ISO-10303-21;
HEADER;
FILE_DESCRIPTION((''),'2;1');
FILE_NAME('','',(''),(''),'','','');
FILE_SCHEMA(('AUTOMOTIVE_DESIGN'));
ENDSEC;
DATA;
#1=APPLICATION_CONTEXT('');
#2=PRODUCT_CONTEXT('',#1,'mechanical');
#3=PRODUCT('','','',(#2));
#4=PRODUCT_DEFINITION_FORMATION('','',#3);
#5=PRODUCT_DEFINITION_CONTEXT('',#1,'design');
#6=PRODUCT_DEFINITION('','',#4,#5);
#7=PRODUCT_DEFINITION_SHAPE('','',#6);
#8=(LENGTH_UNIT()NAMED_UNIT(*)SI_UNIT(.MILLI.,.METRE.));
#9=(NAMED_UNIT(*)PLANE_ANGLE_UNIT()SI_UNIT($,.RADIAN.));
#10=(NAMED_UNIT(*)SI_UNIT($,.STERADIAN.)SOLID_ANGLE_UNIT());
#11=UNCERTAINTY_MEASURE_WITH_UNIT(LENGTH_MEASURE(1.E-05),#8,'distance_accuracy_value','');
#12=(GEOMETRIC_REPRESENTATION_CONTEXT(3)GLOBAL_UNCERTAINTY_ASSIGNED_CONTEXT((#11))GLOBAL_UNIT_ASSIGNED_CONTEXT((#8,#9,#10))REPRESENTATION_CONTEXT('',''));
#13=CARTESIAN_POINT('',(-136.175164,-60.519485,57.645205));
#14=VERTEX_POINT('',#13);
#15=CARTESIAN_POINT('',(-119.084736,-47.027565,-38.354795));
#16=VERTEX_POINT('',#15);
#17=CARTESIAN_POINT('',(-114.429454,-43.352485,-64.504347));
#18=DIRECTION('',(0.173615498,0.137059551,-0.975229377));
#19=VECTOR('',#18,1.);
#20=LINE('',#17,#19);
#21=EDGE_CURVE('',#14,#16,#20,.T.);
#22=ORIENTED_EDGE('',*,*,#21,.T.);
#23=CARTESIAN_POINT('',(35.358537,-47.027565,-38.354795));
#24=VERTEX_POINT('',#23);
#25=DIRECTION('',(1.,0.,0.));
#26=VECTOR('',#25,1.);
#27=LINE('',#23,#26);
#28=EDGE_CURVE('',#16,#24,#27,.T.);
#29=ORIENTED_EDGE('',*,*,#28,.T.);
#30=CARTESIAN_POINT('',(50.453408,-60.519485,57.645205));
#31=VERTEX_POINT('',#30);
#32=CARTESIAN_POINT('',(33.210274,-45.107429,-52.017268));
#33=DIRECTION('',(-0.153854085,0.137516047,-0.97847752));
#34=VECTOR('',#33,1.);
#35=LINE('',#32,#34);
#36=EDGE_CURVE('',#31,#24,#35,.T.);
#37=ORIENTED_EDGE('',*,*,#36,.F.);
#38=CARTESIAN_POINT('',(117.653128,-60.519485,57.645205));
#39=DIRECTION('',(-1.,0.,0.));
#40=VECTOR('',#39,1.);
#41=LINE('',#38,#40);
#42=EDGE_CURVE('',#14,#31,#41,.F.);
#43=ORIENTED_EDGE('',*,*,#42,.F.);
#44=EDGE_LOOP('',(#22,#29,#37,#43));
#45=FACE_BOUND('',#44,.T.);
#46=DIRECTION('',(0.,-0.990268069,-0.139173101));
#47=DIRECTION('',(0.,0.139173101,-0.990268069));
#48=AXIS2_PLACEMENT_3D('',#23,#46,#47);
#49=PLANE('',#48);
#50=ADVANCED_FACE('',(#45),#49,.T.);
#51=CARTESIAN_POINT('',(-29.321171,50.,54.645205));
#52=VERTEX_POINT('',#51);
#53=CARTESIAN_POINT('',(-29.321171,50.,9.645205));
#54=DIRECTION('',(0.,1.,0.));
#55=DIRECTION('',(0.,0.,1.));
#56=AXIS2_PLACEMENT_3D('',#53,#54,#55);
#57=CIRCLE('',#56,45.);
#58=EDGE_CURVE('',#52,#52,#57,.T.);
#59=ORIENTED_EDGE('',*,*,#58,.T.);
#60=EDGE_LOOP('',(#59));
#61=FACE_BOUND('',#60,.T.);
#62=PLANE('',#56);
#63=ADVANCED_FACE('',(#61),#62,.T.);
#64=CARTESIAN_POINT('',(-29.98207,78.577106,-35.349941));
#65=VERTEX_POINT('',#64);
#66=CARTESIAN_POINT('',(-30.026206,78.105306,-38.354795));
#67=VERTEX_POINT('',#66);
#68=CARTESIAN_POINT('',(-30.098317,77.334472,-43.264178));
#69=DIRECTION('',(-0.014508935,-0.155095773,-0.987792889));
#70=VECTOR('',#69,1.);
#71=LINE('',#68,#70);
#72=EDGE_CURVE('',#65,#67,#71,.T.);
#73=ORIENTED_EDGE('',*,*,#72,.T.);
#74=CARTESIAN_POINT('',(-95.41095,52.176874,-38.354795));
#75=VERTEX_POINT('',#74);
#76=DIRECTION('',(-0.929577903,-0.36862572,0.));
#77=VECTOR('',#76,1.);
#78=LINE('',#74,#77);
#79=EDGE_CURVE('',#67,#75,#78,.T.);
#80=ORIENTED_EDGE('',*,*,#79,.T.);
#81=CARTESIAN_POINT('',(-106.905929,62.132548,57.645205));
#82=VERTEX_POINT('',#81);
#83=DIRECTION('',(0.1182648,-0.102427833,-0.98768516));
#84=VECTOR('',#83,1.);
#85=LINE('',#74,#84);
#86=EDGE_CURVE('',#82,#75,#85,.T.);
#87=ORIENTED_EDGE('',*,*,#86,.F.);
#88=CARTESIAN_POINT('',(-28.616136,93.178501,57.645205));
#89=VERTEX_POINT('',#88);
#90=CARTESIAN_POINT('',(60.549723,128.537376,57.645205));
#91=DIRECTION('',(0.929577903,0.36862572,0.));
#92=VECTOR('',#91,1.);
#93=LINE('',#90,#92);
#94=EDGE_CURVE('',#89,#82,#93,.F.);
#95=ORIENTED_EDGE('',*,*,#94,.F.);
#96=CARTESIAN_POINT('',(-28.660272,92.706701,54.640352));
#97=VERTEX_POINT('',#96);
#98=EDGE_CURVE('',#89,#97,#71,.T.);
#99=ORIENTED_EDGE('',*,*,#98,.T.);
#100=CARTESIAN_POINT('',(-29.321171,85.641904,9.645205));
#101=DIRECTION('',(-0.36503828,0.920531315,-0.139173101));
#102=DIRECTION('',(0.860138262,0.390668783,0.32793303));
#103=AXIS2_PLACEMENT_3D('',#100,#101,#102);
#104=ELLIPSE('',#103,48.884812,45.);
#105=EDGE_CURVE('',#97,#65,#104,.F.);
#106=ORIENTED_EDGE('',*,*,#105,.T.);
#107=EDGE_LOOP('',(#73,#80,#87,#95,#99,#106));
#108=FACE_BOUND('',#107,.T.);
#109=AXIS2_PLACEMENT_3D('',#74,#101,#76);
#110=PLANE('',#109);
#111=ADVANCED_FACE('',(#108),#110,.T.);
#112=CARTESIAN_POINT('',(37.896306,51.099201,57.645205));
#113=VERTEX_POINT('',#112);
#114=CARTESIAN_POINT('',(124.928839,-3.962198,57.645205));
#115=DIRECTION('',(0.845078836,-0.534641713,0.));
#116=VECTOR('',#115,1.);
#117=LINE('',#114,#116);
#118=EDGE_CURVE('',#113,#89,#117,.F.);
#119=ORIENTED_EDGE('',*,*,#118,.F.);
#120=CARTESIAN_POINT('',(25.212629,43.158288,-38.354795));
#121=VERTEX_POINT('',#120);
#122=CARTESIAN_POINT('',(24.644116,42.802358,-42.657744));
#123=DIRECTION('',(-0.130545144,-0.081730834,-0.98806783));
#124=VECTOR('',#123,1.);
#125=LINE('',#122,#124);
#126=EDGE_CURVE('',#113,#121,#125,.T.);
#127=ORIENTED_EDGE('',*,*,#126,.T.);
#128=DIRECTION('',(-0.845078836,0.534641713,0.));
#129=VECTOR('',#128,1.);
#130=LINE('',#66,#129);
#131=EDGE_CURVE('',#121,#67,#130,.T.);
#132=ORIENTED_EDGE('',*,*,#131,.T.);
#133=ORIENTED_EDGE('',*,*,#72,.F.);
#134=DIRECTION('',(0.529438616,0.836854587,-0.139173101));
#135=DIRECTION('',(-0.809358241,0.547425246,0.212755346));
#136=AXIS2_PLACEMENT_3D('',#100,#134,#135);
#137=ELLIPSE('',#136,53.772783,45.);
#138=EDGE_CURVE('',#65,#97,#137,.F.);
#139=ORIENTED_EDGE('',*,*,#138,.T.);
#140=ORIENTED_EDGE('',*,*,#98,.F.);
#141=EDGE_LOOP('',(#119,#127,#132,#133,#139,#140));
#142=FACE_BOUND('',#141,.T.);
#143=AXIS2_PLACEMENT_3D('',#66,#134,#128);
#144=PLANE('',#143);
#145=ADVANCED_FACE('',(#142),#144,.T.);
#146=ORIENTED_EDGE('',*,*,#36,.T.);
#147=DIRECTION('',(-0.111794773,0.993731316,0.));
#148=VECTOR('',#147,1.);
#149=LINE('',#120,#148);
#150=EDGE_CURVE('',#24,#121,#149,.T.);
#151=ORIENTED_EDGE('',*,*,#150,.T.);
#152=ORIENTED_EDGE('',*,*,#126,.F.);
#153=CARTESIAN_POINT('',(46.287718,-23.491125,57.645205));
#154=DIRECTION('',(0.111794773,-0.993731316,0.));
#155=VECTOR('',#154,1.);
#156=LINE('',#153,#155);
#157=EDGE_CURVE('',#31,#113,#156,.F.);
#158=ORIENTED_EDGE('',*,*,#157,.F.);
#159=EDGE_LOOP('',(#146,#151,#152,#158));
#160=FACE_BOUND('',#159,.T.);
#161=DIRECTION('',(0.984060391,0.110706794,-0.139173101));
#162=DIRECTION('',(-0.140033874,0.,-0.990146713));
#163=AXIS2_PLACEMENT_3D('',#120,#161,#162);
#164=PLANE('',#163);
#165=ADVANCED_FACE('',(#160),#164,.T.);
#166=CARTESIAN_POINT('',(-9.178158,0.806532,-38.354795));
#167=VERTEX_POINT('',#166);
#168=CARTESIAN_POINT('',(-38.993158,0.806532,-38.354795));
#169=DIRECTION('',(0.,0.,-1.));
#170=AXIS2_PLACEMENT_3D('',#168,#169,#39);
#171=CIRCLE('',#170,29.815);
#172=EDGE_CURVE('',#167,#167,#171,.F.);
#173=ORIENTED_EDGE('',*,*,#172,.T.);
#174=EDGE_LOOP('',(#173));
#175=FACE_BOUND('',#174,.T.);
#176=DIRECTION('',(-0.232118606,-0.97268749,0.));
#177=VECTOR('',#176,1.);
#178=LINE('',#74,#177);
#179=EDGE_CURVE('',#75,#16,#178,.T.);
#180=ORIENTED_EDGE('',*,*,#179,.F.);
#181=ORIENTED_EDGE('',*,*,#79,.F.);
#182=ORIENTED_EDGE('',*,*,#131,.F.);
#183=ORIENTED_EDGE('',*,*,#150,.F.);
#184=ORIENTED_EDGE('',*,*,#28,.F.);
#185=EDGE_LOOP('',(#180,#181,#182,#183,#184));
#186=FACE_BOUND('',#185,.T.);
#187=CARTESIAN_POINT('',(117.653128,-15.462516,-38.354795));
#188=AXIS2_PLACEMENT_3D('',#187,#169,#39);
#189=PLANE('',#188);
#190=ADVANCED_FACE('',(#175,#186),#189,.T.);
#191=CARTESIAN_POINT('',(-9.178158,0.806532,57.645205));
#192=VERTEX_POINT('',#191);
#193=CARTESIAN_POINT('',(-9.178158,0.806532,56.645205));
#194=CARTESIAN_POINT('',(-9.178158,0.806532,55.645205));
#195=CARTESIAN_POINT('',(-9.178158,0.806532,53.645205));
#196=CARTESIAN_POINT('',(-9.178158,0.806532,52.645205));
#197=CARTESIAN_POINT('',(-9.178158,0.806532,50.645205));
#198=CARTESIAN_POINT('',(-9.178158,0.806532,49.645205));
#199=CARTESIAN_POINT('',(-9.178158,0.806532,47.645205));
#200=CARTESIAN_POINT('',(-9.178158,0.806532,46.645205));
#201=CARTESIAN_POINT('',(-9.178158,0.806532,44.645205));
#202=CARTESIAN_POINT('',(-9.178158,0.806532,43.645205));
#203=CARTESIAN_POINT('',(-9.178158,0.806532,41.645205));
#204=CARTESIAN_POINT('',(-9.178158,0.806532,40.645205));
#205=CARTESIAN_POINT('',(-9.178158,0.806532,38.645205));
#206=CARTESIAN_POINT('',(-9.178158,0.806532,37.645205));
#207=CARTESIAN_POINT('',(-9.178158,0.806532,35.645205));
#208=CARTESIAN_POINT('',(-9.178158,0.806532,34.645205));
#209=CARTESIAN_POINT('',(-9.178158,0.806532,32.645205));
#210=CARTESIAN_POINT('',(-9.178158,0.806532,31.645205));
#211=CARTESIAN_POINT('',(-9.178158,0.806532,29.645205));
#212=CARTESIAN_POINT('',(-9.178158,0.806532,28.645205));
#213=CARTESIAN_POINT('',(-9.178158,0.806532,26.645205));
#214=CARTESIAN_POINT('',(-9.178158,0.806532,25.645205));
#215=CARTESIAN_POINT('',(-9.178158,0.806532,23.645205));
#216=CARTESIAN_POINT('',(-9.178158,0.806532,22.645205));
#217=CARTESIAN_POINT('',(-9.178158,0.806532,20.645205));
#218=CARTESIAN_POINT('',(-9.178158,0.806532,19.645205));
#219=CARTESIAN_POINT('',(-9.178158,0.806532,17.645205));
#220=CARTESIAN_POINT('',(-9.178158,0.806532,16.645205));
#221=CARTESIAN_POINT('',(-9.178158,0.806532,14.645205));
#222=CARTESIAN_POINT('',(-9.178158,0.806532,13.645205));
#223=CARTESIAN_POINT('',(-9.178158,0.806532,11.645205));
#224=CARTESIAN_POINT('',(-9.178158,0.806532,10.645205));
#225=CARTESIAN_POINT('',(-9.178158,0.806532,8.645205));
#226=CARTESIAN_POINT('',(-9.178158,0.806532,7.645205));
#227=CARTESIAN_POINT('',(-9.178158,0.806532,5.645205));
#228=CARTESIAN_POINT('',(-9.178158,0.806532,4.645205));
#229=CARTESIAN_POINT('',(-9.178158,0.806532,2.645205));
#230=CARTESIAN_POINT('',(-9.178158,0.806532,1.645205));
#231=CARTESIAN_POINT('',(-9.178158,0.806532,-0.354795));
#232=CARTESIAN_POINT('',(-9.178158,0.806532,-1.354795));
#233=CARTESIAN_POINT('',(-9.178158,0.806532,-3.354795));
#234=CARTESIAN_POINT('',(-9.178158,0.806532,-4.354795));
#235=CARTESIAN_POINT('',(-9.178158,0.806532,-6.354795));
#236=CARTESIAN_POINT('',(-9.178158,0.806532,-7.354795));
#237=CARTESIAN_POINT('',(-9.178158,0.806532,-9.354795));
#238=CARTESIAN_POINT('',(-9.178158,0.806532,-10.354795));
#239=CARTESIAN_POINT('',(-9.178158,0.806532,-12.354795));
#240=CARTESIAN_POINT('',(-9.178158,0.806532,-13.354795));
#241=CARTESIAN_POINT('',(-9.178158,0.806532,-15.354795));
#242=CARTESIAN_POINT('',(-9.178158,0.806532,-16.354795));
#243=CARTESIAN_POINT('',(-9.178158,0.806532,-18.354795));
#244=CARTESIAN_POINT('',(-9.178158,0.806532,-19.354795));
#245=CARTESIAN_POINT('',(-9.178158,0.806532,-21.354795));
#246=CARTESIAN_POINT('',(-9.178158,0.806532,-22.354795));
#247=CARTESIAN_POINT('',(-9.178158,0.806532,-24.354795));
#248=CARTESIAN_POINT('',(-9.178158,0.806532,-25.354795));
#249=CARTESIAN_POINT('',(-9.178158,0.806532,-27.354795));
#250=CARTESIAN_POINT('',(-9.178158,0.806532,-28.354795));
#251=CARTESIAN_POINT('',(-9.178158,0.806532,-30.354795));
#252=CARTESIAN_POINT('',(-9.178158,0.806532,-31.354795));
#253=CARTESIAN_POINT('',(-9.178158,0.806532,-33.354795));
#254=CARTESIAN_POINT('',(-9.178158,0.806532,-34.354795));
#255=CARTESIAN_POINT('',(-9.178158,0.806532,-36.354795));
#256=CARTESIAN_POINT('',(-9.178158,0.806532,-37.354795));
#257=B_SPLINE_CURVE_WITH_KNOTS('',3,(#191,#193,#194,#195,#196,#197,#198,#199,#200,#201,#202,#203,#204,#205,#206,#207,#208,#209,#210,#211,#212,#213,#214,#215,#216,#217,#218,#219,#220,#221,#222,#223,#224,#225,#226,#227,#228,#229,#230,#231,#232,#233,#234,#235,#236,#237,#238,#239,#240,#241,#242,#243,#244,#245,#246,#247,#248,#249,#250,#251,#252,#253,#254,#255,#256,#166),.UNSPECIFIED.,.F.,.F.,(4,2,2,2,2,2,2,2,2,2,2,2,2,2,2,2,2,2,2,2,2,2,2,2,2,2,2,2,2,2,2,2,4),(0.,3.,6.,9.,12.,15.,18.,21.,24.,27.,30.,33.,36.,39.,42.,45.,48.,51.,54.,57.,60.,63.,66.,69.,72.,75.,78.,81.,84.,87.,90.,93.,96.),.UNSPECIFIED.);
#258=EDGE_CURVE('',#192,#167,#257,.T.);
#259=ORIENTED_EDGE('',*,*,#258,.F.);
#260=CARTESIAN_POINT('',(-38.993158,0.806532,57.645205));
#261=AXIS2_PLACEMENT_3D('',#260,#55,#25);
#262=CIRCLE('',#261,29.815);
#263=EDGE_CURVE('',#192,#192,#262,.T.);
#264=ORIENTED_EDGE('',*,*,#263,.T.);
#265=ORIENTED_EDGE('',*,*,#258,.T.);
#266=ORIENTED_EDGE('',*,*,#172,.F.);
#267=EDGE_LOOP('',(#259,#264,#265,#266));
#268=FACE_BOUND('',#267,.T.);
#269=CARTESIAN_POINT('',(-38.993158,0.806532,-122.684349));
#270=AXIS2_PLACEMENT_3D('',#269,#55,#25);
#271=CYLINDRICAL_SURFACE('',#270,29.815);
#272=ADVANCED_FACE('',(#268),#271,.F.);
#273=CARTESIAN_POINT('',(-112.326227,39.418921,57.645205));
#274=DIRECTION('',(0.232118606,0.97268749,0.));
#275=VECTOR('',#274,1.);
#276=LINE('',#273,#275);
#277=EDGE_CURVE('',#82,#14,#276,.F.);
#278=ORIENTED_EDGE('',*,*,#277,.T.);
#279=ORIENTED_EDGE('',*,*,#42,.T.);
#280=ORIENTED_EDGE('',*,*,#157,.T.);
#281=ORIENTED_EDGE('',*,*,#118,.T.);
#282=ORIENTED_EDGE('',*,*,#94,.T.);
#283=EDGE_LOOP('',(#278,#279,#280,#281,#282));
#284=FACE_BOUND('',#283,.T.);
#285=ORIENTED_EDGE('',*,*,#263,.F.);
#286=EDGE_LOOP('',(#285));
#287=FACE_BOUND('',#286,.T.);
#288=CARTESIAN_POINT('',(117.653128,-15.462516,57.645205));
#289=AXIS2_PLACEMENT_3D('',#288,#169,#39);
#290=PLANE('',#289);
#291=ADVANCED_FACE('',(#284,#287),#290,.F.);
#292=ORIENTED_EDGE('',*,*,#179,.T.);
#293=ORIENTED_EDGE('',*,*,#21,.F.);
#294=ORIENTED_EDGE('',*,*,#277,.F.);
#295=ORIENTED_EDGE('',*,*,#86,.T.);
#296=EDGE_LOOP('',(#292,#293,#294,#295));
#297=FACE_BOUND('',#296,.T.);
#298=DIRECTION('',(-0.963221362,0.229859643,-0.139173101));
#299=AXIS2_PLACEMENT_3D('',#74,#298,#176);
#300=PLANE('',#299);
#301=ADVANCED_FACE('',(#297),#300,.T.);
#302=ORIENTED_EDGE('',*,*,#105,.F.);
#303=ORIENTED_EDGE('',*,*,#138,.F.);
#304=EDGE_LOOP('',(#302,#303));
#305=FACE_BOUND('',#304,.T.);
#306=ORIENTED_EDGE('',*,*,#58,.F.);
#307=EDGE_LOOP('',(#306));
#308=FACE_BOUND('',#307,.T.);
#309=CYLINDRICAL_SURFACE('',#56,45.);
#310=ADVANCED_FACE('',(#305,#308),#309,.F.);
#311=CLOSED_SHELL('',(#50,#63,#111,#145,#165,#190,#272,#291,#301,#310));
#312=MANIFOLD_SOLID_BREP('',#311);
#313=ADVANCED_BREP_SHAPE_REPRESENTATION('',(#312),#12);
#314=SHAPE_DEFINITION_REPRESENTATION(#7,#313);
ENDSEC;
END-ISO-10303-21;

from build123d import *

# Parameters (mm, degrees)
BOSS_EXTRUDE1_DEPTH = 24
BOSS_EXTRUDE1_DRAFT = -8
SCALE1_SCALE        = 4
SKETCH3_R           = 45
CUT_EXTRUDE1_DEPTH  = 88
SKETCH4_R           = 29.815
CUT_EXTRUDE2_DEPTH  = 96


with BuildPart() as part:
    # Sketch1 → Boss-Extrude1 (with draft: the straight prism first)
    with BuildSketch(Plane.XY):
        Polygon((-53.266019417, 16.909847434), (-59.184466019, -7.891262136), (-20.573647712, -7.891262136), (-23.110124827, 14.65520111), (-36.919833564, 23.391955617), align=None)
    extrude(amount=BOSS_EXTRUDE1_DEPTH)
    # Boss-Extrude1: the draft: its side faces are tilted about the plane it starts from
    boss_extrude1_sides = [part.faces().sort_by_distance(p)[0] for p in [
        (-56.225242718, 4.509292649, 12),
        (-39.879056865, -7.891262136, 12),
        (-21.841886269, 3.381969487, 12),
        (-30.014979196, 19.023578363, 12),
        (-45.092926491, 20.150901526, 12),
    ]]
    draft(boss_extrude1_sides, Plane.XY, BOSS_EXTRUDE1_DRAFT)


with BuildPart() as part_1:
    # Scale1: scaled about (-39.217709301, 5.154172018, 12.784931537)
    add(part.part.scale(SCALE1_SCALE).moved(Location((117.653127903, -15.462516054, -38.354794611))))

    # Sketch3 → Cut-Extrude1 (cut)
    with BuildSketch(Plane(origin=(0, 138, 0), x_dir=(1, 0, 0), z_dir=(0, 1, 0))):
        with Locations(Location((-29.321171046, -9.645205389, 0), (0, 0, 270))):
            Circle(SKETCH3_R)
    extrude(amount=-CUT_EXTRUDE1_DEPTH, mode=Mode.SUBTRACT)

    # Sketch4 → Cut-Extrude2 (cut)
    with BuildSketch(Plane.XY.offset(57.645205389)):
        with Locations((-38.993157732, 0.806531709)):
            Circle(SKETCH4_R)
    extrude(amount=-CUT_EXTRUDE2_DEPTH, mode=Mode.SUBTRACT)


solid = part_1.part
